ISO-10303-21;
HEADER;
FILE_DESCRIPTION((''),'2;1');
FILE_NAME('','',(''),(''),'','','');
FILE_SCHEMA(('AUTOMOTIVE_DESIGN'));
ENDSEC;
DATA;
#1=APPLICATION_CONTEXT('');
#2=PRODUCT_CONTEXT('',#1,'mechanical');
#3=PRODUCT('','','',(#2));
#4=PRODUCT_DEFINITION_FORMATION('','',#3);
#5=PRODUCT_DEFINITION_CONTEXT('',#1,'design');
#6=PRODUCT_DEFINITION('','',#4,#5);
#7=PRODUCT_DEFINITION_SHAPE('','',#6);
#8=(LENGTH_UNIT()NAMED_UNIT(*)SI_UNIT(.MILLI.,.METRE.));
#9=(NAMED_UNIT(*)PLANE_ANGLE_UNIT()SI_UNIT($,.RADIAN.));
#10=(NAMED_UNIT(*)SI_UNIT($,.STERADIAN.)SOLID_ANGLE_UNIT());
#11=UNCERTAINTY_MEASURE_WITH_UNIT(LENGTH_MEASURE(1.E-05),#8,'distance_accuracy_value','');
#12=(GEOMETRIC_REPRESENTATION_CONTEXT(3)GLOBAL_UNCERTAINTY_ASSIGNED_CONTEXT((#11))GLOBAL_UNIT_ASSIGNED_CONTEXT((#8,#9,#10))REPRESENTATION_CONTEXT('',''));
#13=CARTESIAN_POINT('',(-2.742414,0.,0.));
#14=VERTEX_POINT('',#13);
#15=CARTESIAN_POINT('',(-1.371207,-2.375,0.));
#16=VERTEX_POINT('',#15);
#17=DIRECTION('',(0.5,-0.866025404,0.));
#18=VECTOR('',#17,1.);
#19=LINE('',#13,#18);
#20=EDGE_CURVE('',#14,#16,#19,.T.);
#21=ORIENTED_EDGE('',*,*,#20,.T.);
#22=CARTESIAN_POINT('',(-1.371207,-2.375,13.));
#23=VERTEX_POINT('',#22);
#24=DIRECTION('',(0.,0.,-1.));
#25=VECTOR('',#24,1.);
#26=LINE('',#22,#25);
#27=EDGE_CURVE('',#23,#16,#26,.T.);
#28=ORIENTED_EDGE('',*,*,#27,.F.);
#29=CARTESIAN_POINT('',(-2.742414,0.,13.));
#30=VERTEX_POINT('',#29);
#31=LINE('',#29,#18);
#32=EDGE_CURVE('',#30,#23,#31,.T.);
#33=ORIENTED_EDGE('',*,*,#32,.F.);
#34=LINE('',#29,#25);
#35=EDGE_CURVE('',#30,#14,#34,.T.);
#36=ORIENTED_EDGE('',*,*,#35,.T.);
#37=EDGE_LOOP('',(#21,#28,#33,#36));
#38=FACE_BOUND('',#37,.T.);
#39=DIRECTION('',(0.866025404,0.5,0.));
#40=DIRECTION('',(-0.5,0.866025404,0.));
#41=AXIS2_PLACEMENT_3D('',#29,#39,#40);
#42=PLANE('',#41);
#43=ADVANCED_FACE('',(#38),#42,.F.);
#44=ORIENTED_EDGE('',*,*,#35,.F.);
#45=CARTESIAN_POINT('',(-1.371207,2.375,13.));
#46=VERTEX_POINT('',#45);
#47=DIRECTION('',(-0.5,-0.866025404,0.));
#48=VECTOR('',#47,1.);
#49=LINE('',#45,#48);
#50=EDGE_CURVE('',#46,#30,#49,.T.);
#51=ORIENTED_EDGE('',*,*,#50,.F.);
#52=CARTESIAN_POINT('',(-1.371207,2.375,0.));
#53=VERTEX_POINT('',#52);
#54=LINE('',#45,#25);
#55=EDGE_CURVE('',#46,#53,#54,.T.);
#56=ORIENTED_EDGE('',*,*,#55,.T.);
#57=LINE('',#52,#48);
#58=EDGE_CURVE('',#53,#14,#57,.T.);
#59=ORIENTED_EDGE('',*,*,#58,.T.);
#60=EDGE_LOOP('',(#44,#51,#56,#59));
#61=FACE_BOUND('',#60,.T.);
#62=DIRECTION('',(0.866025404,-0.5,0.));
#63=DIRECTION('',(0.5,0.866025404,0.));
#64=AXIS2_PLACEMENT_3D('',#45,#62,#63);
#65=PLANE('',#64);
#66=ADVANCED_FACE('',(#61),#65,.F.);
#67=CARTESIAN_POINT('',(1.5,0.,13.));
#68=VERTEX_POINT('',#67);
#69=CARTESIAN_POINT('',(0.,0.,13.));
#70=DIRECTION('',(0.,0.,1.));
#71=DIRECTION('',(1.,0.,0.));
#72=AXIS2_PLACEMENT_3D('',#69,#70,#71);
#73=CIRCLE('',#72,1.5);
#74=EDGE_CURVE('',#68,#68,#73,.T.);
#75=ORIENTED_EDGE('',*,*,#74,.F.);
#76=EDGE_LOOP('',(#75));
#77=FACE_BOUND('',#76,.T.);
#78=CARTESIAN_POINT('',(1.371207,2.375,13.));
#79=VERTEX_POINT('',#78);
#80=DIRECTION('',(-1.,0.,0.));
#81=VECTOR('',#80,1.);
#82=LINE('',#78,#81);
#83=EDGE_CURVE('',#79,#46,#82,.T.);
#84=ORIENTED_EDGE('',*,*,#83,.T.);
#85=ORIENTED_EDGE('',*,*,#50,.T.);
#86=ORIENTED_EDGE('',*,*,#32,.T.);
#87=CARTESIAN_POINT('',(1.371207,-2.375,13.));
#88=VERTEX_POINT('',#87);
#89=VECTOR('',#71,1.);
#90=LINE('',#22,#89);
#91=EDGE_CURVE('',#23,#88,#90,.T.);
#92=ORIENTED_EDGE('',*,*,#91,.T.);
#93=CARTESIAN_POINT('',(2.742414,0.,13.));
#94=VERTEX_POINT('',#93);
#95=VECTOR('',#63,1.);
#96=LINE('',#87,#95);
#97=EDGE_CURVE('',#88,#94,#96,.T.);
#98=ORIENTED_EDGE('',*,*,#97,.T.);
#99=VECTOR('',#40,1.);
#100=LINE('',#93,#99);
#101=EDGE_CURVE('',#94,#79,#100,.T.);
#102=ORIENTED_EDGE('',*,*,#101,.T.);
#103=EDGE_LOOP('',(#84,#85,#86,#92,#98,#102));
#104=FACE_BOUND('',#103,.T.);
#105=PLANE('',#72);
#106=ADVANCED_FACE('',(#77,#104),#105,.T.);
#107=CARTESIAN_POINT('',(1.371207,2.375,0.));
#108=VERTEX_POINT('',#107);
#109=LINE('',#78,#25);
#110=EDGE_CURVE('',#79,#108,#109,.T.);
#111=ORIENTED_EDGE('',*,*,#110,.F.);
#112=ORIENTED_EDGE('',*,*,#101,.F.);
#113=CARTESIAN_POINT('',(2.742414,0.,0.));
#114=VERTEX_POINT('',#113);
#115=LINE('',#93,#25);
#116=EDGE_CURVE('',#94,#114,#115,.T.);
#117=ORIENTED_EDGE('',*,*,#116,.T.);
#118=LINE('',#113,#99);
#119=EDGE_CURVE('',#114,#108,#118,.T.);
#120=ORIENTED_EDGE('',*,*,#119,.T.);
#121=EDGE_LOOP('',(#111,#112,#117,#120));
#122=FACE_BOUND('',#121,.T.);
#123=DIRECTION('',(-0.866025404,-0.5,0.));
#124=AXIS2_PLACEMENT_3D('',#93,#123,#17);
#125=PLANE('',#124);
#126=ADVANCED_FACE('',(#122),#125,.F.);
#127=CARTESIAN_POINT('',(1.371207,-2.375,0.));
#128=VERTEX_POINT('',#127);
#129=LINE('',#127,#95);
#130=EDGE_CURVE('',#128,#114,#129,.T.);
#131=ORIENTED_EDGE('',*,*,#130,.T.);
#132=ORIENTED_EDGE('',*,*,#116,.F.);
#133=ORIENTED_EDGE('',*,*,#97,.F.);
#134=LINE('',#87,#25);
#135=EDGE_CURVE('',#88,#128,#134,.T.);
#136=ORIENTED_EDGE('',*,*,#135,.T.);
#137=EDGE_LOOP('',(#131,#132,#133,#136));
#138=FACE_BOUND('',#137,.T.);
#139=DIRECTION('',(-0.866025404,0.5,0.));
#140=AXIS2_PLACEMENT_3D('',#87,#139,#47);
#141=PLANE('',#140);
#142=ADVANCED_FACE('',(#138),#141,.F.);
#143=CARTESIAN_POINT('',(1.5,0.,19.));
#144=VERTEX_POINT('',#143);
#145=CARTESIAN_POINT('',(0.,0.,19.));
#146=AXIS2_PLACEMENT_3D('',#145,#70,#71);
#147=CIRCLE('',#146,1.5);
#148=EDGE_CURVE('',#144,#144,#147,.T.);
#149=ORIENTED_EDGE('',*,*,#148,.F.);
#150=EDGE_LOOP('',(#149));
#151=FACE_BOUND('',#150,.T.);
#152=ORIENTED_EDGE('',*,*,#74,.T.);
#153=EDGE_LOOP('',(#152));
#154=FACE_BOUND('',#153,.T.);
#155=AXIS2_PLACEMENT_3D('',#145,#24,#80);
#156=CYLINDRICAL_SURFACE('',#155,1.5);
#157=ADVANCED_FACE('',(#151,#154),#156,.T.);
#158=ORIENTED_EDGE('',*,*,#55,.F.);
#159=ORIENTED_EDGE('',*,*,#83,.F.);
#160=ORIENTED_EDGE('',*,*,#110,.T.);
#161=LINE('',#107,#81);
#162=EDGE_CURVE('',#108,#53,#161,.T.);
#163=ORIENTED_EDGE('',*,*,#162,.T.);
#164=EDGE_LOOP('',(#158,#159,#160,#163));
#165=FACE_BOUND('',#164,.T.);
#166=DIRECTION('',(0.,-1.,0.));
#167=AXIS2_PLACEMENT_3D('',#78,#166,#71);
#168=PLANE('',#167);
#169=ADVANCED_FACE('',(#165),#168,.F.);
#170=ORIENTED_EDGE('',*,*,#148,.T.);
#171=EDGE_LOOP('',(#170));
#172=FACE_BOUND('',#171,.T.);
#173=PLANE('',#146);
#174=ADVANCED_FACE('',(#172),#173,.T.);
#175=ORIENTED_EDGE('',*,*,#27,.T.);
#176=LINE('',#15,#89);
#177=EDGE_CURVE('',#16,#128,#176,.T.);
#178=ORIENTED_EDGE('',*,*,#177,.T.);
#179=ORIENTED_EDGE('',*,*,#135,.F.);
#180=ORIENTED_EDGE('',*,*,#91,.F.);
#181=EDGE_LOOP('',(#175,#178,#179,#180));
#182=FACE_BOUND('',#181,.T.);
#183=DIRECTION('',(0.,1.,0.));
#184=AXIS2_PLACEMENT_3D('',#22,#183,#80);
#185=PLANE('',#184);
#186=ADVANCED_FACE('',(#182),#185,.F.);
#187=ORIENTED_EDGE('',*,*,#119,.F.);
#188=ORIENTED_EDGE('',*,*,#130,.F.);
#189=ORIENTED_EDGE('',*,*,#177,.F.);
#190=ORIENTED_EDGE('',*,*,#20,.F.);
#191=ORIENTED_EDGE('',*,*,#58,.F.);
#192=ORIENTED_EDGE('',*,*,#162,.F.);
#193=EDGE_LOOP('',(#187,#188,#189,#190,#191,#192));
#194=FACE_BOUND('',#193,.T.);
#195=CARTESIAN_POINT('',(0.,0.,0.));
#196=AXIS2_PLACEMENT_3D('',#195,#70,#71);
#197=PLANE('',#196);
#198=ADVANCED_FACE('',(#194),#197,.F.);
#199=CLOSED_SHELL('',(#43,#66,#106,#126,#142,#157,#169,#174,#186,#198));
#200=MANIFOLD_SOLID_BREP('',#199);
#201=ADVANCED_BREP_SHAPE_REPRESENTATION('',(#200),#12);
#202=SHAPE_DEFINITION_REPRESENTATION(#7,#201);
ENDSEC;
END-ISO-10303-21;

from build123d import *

# Parameters (mm, degrees)
EXTRUDE_2_DEPTH = 13
SKETCH_10_R     = 1.5
EXTRUDE_3_DEPTH = 6


with BuildPart() as part:
    # 草图9 → 凸台-拉伸2 (new body)
    with BuildSketch(Plane.XY):
        Polygon((2.742413779, 0), (1.371206889, 2.375), (-1.371206889, 2.375), (-2.742413779, 0), (-1.371206889, -2.375), (1.371206889, -2.375), align=None)
    extrude(amount=EXTRUDE_2_DEPTH)

    # 草图10 → 凸台-拉伸3 (add)
    with BuildSketch(Plane.XY.offset(13)):
        Circle(SKETCH_10_R)
    extrude(amount=EXTRUDE_3_DEPTH)


solid = part.part
